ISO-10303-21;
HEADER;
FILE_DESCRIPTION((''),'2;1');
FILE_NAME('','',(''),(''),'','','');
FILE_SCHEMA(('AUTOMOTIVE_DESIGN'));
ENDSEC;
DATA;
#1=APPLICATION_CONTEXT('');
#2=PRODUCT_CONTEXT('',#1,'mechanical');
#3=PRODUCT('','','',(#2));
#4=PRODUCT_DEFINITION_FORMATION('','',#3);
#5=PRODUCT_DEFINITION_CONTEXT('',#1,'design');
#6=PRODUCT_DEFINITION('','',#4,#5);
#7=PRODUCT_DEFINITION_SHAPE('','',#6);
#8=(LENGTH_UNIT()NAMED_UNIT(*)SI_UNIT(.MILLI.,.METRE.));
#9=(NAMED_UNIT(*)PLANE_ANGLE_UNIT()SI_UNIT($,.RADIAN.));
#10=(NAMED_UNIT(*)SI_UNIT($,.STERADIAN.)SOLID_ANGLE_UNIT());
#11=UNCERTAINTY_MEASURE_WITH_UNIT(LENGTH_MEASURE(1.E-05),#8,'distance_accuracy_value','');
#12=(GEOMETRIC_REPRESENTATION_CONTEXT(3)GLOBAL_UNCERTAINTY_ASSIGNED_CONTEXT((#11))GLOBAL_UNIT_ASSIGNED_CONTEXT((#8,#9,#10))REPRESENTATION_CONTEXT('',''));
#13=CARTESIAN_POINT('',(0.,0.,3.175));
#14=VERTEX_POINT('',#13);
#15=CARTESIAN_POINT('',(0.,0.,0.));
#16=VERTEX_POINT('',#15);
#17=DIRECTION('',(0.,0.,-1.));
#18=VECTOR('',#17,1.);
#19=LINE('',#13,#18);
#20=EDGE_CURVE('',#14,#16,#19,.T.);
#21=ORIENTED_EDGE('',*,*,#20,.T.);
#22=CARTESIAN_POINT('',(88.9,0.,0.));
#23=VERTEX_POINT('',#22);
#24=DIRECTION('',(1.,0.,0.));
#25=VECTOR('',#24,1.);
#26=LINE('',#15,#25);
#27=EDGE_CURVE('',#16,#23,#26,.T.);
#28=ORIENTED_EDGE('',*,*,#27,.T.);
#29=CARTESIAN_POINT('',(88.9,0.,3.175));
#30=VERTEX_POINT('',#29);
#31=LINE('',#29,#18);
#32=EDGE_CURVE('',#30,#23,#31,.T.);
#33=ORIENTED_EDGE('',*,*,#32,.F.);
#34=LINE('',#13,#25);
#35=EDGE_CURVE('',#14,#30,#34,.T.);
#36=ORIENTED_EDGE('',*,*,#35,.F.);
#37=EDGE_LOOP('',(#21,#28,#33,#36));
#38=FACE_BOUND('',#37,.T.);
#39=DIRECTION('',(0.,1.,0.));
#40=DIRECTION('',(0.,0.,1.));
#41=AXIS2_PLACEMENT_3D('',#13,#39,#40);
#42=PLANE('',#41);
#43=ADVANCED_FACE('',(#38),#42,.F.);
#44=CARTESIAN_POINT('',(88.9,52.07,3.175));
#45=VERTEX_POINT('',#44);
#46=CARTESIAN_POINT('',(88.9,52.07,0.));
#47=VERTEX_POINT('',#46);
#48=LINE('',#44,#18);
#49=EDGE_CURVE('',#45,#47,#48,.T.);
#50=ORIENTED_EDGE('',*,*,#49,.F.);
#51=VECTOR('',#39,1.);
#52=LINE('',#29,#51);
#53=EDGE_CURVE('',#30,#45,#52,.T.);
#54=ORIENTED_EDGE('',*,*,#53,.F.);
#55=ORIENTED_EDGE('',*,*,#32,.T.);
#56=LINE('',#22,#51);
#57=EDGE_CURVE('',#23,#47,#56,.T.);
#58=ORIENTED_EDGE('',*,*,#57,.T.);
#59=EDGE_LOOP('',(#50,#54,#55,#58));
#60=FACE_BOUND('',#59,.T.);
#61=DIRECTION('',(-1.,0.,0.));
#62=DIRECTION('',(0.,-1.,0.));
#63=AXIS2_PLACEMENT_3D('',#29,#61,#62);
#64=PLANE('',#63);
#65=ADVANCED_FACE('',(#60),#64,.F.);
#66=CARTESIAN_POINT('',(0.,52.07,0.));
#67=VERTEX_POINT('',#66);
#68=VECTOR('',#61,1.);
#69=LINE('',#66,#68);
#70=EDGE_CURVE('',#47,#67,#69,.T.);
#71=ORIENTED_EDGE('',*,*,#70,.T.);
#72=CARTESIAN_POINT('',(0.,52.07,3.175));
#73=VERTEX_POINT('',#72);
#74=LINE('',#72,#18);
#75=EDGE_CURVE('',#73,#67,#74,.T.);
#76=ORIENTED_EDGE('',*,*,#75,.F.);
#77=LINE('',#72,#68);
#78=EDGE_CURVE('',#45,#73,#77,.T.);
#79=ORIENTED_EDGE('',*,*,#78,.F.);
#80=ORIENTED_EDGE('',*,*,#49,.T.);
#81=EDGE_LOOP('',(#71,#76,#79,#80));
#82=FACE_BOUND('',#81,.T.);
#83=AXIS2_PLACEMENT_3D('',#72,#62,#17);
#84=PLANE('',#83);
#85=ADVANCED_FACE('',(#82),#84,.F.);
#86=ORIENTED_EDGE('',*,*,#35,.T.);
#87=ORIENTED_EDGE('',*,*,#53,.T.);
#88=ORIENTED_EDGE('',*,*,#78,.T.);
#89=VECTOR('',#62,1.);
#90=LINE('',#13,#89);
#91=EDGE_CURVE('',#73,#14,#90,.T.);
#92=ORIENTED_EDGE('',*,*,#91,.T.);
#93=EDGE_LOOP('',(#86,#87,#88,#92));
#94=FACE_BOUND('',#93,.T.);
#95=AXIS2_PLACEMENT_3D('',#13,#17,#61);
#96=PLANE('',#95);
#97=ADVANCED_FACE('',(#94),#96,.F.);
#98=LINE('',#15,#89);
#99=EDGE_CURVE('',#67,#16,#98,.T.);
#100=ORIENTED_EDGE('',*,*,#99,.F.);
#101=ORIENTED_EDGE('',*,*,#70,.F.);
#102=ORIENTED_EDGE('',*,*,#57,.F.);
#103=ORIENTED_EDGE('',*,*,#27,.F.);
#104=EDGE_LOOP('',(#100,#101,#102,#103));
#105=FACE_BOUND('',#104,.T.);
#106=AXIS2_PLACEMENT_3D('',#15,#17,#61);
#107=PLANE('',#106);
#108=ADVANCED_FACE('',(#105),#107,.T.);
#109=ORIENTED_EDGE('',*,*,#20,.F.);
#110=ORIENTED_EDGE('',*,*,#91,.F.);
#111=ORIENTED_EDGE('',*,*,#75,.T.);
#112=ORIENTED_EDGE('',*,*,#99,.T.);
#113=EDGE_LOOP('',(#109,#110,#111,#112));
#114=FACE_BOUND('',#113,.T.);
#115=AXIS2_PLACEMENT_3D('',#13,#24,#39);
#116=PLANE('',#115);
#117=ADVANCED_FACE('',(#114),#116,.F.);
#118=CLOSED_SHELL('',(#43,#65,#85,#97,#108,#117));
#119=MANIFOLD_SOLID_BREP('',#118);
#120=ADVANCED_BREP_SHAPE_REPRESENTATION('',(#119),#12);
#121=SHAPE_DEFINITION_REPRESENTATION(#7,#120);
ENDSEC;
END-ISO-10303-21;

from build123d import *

# Parameters (mm, degrees)
SKETCH1_W           = 88.9
SKETCH1_H           = 52.07
BOSS_EXTRUDE1_DEPTH = 3.175


with BuildPart() as part:
    # Sketch1 → Boss-Extrude1 (new body)
    with BuildSketch(Plane.XY):
        with Locations((44.45, 26.035)):
            Rectangle(SKETCH1_W, SKETCH1_H)
    extrude(amount=BOSS_EXTRUDE1_DEPTH)


solid = part.part
